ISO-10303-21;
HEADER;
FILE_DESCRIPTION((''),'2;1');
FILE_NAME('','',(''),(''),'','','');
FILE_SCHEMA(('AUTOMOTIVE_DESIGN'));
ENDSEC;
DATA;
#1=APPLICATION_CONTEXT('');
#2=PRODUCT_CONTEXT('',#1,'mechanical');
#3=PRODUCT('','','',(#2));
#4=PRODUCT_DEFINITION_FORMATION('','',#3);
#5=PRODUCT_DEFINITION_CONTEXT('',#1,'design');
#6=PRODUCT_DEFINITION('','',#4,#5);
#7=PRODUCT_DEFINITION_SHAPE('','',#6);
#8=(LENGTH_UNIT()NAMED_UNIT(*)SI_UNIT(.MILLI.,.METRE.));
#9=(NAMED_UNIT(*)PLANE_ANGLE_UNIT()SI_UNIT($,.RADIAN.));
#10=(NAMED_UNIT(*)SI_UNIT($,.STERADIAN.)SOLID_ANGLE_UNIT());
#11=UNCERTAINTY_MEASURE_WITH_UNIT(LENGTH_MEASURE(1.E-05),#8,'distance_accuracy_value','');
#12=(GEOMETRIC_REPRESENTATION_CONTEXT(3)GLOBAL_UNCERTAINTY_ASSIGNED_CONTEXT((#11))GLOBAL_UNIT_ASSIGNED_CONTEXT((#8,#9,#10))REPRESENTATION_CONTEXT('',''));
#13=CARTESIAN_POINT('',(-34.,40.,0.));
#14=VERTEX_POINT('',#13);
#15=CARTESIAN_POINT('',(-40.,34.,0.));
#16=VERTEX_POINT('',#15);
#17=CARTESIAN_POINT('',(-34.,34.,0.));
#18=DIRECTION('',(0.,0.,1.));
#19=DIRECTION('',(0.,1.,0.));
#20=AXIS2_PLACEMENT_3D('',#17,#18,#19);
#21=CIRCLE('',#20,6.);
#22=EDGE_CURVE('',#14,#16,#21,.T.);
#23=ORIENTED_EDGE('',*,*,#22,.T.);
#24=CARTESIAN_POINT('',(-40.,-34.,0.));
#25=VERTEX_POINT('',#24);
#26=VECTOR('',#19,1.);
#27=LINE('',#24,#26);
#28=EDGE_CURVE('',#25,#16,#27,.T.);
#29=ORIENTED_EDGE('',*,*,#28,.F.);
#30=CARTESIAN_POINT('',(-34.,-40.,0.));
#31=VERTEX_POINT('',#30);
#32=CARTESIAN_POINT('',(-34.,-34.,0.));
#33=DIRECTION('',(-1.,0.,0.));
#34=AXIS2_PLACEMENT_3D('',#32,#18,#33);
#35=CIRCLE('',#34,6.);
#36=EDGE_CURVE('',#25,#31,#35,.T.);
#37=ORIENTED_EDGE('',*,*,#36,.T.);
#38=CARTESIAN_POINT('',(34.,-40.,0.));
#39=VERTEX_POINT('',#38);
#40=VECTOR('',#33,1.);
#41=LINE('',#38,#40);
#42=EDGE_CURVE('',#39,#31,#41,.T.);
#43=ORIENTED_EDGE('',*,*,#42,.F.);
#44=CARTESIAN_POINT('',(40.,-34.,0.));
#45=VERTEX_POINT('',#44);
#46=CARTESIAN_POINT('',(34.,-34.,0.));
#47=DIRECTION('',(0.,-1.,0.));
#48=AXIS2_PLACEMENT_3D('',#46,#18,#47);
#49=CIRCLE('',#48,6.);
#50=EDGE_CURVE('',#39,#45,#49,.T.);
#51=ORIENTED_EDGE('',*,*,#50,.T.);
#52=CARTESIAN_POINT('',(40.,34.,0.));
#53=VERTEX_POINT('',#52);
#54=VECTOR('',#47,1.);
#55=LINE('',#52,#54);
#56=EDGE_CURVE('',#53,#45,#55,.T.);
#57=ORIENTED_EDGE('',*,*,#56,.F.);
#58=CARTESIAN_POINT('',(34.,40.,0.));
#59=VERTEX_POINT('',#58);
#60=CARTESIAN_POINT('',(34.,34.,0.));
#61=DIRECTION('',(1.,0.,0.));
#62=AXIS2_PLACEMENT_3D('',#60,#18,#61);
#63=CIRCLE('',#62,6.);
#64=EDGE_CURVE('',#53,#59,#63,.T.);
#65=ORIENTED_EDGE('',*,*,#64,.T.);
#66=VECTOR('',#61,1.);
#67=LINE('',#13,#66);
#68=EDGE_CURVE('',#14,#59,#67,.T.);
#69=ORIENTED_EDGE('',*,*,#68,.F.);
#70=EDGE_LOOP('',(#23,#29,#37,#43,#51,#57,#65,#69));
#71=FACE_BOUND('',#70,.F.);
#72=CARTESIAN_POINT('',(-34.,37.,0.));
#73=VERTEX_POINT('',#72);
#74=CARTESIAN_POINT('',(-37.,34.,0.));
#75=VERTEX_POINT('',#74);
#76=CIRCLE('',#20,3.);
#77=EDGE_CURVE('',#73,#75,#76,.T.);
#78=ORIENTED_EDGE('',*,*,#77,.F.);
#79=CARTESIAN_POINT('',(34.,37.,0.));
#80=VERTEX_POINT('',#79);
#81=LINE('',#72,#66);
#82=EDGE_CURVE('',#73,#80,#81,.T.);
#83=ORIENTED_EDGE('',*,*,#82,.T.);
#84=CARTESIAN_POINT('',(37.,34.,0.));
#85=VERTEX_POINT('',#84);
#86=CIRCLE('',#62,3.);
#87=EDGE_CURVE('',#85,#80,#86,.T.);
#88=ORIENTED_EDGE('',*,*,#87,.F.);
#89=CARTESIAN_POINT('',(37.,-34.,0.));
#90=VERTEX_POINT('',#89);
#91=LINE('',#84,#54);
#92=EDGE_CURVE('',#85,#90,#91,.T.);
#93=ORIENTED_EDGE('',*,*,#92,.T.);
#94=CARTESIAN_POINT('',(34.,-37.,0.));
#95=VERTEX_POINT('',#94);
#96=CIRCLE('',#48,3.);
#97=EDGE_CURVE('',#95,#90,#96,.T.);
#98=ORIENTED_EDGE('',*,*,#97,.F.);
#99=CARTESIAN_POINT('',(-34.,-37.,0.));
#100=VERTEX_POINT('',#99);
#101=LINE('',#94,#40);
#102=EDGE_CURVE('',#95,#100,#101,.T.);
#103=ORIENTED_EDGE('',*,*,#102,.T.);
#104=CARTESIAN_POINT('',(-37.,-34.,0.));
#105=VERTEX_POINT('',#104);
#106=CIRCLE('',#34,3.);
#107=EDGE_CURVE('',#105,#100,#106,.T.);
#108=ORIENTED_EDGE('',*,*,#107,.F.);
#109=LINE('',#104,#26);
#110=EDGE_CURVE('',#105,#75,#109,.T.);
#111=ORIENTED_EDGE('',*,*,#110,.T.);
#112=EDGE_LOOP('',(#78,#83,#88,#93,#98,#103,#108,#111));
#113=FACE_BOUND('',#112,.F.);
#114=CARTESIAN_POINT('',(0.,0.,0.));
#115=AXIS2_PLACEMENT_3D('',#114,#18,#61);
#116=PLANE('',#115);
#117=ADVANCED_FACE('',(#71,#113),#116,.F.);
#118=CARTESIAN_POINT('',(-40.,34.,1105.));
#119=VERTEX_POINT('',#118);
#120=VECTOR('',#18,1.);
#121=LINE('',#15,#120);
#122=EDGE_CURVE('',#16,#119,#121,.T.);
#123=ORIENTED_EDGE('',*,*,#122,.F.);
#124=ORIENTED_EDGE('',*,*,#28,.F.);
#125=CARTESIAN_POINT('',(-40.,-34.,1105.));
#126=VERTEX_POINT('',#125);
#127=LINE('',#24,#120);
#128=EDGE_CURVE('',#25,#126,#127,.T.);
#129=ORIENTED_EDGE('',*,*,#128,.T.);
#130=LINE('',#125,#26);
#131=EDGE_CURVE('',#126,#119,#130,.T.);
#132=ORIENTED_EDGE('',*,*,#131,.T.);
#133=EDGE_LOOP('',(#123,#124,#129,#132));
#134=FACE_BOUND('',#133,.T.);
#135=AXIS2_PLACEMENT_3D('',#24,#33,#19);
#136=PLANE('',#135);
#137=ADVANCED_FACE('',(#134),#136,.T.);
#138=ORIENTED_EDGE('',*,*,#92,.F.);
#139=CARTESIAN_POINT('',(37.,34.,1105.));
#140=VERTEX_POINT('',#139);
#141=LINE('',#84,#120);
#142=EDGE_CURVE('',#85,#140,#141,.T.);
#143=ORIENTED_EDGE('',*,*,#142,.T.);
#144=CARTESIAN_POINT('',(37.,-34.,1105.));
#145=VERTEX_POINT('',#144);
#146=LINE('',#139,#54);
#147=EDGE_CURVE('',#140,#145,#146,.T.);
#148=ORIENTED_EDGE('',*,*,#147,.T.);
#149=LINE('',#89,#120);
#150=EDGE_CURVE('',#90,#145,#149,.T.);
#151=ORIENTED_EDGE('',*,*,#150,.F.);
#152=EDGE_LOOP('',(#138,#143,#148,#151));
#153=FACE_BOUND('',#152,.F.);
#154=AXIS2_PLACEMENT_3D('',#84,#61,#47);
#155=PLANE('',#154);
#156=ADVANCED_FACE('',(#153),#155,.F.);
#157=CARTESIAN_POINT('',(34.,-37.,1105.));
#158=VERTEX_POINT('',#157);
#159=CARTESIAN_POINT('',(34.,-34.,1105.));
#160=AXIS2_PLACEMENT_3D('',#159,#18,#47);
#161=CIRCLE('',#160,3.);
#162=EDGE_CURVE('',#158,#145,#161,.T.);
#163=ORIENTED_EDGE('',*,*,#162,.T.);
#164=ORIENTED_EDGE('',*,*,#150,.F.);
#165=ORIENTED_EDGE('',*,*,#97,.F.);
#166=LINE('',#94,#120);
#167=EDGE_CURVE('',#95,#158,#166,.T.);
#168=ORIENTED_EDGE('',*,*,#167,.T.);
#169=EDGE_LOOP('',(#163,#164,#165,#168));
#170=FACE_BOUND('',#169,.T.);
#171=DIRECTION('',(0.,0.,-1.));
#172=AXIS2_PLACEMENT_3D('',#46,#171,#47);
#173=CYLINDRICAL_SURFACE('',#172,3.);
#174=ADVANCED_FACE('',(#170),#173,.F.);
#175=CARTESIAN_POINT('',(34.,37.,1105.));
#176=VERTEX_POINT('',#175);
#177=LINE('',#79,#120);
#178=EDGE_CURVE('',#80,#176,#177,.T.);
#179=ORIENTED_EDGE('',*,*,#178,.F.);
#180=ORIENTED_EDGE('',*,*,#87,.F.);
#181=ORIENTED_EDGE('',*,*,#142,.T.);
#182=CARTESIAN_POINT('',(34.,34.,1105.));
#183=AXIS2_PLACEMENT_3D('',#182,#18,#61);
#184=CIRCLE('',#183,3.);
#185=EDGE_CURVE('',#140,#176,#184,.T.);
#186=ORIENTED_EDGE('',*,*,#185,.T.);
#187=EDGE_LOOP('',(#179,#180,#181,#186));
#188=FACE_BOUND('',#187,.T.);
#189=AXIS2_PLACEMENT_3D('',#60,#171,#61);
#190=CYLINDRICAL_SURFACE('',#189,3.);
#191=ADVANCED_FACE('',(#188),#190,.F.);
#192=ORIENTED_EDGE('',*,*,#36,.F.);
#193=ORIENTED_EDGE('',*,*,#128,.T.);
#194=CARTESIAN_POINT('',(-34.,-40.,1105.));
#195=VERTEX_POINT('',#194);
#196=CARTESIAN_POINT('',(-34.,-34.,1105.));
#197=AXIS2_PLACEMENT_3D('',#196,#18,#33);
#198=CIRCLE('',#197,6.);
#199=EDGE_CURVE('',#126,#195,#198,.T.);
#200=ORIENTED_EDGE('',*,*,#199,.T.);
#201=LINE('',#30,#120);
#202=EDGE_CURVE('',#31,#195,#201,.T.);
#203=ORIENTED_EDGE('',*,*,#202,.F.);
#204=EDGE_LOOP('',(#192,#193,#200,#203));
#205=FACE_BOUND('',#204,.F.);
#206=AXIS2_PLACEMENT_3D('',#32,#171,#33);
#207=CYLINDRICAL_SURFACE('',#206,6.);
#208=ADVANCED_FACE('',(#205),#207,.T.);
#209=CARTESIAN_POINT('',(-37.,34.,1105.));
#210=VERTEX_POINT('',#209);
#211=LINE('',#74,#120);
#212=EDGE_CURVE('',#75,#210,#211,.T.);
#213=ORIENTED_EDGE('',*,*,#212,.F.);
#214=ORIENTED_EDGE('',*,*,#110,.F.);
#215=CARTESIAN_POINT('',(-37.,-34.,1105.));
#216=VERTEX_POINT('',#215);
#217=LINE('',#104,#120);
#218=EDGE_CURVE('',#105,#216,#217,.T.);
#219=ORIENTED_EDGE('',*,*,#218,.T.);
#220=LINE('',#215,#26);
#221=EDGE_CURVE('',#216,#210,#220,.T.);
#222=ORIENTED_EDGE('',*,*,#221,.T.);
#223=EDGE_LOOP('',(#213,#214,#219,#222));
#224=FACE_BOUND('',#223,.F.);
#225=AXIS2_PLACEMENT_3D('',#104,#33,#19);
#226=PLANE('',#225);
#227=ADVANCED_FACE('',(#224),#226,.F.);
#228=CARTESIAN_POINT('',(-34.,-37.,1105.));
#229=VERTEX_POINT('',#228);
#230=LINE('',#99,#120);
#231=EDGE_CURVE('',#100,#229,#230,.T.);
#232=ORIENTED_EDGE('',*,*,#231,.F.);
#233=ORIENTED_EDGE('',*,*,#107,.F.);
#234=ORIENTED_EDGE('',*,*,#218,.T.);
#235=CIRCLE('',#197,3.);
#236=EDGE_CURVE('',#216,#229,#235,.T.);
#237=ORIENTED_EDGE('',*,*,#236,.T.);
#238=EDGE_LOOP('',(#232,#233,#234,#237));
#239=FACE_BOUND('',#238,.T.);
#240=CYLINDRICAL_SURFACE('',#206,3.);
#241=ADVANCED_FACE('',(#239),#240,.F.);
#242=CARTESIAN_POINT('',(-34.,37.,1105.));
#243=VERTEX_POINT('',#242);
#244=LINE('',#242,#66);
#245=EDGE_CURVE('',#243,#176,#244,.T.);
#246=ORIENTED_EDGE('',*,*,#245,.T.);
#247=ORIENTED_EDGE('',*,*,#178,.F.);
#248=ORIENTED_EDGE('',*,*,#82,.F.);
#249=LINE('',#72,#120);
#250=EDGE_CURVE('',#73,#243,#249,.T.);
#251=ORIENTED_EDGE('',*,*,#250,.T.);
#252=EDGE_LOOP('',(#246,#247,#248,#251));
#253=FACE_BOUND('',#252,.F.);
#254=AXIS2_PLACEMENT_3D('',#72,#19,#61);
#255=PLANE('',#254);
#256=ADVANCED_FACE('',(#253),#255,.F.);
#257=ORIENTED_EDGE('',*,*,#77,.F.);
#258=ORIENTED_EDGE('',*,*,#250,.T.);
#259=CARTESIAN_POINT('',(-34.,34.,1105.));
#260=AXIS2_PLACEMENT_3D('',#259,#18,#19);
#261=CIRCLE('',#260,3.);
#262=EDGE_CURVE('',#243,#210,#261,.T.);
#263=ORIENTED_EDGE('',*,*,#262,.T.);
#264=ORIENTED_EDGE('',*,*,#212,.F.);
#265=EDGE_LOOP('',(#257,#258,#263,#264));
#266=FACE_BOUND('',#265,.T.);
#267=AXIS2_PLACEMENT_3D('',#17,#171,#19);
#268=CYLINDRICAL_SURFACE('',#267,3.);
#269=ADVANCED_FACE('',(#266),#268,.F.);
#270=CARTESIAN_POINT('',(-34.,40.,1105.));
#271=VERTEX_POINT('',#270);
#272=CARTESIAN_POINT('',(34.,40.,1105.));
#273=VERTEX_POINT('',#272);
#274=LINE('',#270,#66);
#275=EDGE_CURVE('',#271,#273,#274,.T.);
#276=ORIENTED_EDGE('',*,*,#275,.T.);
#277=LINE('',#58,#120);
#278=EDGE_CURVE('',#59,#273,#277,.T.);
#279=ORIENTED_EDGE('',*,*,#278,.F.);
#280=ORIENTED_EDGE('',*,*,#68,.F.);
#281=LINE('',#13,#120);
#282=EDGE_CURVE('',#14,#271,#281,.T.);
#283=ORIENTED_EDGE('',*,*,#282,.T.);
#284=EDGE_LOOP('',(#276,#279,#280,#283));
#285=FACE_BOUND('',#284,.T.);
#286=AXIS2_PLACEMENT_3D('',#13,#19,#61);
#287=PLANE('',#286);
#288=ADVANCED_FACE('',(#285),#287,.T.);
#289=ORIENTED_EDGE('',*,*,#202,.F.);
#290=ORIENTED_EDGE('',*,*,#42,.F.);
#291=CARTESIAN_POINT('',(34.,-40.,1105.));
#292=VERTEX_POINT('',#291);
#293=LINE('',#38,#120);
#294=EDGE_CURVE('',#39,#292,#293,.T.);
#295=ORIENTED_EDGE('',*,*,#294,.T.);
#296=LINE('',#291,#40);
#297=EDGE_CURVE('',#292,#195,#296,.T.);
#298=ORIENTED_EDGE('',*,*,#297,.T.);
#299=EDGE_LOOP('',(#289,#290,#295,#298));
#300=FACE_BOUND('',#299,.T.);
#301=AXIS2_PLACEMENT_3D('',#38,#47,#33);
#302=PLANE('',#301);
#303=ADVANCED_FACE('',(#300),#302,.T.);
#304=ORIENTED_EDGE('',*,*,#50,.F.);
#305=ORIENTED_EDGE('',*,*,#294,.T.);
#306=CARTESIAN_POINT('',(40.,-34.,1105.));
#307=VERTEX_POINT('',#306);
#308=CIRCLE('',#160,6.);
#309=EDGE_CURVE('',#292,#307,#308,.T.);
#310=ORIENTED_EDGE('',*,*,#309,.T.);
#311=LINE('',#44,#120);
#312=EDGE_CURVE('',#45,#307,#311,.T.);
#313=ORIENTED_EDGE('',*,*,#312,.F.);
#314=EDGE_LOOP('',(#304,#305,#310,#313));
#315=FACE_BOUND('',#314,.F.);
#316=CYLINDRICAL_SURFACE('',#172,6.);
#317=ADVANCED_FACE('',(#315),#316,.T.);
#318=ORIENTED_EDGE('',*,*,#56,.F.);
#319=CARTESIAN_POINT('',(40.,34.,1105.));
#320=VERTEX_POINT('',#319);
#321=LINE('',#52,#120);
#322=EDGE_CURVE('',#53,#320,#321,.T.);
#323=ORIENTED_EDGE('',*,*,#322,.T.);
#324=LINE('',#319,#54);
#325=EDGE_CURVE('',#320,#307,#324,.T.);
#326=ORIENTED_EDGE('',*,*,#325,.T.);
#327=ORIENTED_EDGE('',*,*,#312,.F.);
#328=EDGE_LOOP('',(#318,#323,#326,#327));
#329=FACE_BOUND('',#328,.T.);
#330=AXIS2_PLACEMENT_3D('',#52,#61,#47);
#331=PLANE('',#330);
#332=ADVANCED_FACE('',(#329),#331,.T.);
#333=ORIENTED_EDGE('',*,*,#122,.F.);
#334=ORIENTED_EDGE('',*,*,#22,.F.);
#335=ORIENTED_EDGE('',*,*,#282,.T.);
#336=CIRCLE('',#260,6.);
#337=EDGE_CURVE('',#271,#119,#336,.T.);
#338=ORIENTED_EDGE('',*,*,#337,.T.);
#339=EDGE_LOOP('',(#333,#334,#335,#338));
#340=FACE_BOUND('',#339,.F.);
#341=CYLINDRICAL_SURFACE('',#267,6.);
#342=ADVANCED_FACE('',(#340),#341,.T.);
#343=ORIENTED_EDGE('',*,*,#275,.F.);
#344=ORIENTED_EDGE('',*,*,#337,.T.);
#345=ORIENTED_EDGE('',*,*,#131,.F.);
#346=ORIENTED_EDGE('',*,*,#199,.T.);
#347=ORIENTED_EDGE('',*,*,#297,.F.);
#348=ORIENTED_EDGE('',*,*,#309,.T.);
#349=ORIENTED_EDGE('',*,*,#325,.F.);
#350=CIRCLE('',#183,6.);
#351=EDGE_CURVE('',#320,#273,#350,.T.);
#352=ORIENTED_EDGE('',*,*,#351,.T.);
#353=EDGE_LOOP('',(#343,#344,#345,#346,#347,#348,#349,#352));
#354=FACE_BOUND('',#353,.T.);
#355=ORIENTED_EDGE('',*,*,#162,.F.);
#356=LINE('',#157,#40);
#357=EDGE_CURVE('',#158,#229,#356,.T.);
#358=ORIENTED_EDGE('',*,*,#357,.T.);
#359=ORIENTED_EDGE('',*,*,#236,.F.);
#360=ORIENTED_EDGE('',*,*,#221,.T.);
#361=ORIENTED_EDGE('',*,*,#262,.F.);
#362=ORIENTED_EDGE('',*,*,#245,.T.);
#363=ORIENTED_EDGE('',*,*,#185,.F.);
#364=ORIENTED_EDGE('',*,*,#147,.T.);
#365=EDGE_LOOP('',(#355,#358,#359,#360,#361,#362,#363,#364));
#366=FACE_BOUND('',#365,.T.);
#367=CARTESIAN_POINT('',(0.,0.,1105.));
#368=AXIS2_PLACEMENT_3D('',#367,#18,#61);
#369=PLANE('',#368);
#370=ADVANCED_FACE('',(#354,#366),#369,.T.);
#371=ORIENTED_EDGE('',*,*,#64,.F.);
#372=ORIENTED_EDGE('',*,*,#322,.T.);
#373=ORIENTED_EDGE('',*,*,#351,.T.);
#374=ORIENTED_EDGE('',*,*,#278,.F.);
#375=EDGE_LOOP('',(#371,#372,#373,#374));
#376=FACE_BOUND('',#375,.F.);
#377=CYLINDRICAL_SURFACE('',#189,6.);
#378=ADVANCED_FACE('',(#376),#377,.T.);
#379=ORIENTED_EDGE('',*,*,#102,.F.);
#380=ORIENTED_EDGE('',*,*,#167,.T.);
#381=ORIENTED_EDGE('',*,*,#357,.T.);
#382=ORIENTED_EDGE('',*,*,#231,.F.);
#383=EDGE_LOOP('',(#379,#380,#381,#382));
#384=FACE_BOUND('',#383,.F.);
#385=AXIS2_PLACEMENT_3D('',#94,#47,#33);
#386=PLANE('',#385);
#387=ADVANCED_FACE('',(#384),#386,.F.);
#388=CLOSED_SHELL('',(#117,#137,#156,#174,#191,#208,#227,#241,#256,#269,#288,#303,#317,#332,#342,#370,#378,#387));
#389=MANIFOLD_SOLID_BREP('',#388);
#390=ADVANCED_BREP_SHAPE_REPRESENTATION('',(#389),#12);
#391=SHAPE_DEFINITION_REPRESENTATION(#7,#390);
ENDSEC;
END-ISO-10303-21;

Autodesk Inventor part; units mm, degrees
ref_plane "YZ Plane" through (0, 0, 0) normal (1, 0, 0) x (0, 1, 0)
ref_plane "Start Plane" through (0, 0, 0) normal (0, 0, 1) x (1, 0, 0)
ref_plane "End Plane" through (0, 0, 1105) normal (0, 0, 1) x (1, 0, 0)
sketch "Sketch" plane through (0, 0, 0) normal (0, 0, 1) x (1, 0, 0)
  line L0 (-40, -34) -> (-40, 34)
  line L1 (-34, 40) -> (34, 40)
  line L2 (40, 34) -> (40, -34)
  line L3 (34, -40) -> (-34, -40)
  arc A0 (-40, -34) -> (-34, -40) centre (-34, -34) ccw
  arc A1 (40, 34) -> (34, 40) centre (34, 34) ccw
  arc A2 (-34, 40) -> (-40, 34) centre (-34, 34) ccw
  arc A3 (34, -40) -> (40, -34) centre (34, -34) ccw
  arc A4 (-34, 37) -> (-37, 34) centre (-34, 34) ccw
  line L4 (-34, 37) -> (34, 37)
  arc A5 (37, 34) -> (34, 37) centre (34, 34) ccw
  line L5 (37, 34) -> (37, -34)
  arc A6 (34, -37) -> (37, -34) centre (34, -34) ccw
  line L6 (34, -37) -> (-34, -37)
  arc A7 (-37, -34) -> (-34, -37) centre (-34, -34) ccw
  line L7 (-37, -34) -> (-37, 34)
  line L8 (0, 57.7397) -> (0, -57.7397) construction
  line L9 (-57.7397, 0) -> (57.7397, 0) construction
  dimension "d7" = 6
  dimension "d9" = 80
  dimension "d11" = 80
  dimension "d12" = 3
  dimension "d15" = 40
  dimension "d16" = 40
extrude "Body" add sketch "Sketch" along normal up to surface (1105 mm away) from surface at 0
sketch "Sketch3" plane through (0, 0, 0) normal (0, 0, 1) x (1, 0, 0)
  line L0 (0, 0) -> (10, 0)
ref_plane "Work Plane3" through (0, 0, 0) normal (0, -1, 0) x (1, 0, 0)
sketch "Sketch4" plane through (0, 0, 0) normal (0, -1, 0) x (1, 0, 0)
  line L0 (-2, 0) -> (12, 0) projected
  line L1 (-2, 1105) -> (12, 1105) projected
  dimension "d18" = 1105
equation "\"d7\" = G_IR"
equation "\"d9\" = G_W"
equation "\"d11\" = G_H"
equation "\"d12\" = G_T"
equation "\"d15\" = 0.5 * d9"
equation "\"d16\" = 0.5 * d11"
equation "\"d3\" = G_L"
equation "\"G_W\" = 80"
equation "\"G_H\" = 80"
equation "\"G_T\" = 3"
equation "\"G_IR\" = 6"
equation "\"G_L\" = d18"
equation "\"G_OFFSET_START\" = 0"
equation "\"d14\" = G_OFFSET_END + B_L"
equation "\"B_L\" = 1145"
equation "\"G_OFFSET_END\" = -40"
properties part number "ISO 10799-2 - 80x80x3 - 1105" material "Steel, Mild"
